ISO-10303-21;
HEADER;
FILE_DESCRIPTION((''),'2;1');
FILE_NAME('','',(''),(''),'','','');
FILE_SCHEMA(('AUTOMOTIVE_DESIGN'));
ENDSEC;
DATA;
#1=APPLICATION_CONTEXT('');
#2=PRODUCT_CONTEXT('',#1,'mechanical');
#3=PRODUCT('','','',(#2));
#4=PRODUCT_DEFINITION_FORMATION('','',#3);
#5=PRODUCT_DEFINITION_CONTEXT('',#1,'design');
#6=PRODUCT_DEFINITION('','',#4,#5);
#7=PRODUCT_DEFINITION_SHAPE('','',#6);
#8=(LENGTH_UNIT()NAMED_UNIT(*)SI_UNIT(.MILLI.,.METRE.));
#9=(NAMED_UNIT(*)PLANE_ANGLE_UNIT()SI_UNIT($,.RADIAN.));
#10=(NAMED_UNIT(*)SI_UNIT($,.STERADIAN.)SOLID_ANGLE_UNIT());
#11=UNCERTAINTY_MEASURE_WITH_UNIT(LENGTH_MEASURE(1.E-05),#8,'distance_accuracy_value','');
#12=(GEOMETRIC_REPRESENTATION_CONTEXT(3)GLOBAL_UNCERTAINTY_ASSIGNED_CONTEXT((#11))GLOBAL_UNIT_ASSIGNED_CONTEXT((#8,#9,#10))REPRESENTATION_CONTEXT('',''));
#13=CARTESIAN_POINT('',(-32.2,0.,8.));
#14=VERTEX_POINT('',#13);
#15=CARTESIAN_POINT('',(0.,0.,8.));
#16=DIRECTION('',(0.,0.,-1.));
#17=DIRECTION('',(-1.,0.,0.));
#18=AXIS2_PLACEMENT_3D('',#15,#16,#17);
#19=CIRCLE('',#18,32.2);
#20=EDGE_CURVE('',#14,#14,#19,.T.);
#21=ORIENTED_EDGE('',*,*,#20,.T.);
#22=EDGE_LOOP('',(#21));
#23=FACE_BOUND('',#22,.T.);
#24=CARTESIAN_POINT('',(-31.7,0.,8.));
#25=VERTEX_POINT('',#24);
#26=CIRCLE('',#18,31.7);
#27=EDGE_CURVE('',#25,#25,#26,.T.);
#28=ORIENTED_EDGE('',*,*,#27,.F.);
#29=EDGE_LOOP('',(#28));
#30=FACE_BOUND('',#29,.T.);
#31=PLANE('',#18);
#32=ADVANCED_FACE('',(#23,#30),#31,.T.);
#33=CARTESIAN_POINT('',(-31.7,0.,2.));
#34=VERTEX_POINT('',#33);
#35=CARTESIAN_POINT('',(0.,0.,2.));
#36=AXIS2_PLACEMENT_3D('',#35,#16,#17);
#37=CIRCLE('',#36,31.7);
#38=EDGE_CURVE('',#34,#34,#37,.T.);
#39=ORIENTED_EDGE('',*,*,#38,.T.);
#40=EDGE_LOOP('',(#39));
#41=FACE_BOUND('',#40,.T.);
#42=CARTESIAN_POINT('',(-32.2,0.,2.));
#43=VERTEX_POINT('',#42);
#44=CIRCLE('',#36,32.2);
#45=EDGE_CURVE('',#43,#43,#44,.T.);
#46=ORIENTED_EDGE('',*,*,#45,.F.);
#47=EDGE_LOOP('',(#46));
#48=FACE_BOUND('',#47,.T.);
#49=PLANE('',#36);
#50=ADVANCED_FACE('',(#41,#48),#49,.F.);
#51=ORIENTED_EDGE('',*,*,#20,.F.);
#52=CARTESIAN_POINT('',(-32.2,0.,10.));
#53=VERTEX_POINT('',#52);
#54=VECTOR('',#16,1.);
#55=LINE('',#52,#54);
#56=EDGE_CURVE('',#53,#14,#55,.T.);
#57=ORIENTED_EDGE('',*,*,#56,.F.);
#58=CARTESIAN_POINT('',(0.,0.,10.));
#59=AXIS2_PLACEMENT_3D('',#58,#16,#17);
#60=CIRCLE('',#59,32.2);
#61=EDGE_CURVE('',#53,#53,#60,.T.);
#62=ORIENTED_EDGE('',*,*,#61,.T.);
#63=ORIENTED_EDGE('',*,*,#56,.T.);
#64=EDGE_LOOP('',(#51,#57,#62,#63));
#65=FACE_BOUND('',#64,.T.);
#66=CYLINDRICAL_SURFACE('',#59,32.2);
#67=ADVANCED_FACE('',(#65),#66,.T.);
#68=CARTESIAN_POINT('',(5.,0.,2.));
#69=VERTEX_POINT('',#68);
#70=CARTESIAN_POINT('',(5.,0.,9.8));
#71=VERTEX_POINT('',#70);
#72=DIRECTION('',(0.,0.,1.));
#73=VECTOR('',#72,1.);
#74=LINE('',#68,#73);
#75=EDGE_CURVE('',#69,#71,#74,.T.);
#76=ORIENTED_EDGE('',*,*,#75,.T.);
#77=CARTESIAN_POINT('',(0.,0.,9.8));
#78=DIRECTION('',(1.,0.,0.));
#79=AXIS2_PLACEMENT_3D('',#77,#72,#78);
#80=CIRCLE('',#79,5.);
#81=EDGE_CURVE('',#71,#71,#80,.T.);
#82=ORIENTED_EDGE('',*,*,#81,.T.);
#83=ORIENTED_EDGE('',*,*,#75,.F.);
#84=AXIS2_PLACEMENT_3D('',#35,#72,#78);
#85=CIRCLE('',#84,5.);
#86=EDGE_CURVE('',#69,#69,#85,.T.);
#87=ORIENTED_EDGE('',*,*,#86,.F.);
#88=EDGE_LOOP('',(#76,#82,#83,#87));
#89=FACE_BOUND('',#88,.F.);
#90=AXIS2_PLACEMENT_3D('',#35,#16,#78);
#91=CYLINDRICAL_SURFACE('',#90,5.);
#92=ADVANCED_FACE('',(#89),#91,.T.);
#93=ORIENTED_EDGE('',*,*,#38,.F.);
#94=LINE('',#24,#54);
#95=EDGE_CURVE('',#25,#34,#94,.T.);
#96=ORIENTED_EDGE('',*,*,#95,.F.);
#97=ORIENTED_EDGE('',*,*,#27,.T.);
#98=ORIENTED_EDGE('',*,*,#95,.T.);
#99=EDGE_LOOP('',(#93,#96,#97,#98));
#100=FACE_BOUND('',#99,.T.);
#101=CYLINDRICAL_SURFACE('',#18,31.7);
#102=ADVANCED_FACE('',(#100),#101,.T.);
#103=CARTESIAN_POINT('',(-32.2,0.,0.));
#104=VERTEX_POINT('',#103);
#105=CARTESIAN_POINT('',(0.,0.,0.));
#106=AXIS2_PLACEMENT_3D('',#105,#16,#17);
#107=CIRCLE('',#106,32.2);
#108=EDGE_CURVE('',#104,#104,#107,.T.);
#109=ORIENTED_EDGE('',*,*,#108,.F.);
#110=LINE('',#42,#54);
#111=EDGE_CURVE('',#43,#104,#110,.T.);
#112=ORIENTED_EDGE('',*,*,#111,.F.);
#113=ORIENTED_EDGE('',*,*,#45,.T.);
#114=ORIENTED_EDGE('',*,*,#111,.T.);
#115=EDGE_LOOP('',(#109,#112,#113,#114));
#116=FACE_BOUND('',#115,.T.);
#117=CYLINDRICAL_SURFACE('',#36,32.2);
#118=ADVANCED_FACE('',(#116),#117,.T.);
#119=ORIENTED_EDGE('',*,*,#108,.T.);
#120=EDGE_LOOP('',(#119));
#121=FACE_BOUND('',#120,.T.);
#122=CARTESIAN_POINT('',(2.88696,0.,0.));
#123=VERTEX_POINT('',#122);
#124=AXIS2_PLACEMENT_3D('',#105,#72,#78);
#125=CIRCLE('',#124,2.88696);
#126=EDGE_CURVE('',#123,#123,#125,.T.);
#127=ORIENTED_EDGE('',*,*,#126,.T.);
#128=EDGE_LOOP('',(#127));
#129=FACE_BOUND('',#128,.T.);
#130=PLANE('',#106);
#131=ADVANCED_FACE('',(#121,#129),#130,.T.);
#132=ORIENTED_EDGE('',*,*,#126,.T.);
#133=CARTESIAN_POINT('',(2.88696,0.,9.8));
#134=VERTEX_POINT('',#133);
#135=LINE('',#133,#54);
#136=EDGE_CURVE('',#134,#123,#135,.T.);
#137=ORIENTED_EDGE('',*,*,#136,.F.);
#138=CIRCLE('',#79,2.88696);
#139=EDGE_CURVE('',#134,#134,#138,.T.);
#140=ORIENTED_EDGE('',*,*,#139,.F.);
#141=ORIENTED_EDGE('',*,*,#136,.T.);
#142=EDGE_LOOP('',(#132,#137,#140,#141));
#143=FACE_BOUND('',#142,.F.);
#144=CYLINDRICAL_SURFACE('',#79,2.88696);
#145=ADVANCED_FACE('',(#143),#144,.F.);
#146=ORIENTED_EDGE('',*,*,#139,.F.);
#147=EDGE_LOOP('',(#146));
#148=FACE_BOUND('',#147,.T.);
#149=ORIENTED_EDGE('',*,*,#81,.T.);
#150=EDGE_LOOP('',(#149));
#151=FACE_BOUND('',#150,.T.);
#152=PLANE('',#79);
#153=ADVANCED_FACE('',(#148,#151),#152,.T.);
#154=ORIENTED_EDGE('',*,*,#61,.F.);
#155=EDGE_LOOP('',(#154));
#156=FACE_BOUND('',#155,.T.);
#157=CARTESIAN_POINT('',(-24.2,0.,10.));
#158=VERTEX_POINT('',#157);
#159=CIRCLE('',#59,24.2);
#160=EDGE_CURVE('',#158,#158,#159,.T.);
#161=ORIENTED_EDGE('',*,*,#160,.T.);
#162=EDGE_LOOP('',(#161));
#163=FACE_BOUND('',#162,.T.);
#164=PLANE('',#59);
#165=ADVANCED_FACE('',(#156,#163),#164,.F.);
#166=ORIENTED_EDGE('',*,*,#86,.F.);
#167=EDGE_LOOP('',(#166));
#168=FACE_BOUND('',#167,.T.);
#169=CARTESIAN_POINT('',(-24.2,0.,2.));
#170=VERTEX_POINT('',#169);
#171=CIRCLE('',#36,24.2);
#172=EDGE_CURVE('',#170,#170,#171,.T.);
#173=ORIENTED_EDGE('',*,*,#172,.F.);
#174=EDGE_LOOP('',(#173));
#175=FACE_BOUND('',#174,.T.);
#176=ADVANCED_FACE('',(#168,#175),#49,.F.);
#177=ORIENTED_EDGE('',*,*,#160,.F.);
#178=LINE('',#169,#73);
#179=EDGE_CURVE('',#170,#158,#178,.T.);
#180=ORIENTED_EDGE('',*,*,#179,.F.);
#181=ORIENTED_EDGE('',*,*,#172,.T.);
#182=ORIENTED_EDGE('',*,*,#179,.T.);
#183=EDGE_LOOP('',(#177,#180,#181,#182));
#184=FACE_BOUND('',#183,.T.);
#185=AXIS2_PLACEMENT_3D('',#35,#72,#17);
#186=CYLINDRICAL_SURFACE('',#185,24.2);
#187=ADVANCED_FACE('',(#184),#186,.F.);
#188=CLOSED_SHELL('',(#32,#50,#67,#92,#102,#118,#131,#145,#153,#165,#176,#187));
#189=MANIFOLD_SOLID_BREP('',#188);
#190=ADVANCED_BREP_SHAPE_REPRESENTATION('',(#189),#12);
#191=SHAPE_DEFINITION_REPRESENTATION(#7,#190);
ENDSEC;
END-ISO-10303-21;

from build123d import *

# Parameters (mm, degrees)
F2_R     = 5
F3_DEPTH = 7.8
F4_R     = 2.88696
F5_DEPTH = 25


with BuildPart() as f1:
    # F0 (on Front) → F1 (revolve)
    with BuildSketch(Plane.XZ):
        Polygon((-32.2, 0), (0, 0), (0, 2), (-24.2, 2), (-24.2, 10), (-32.2, 10), (-32.2, 8), (-31.7, 8), (-31.7, 2), (-32.2, 2), align=None)
    revolve(axis=Axis((0, 0, 1), (0, 0, -1)))

    # F2 (on face) → F3 (join)
    with BuildSketch(Plane.XY.offset(2)):
        Circle(F2_R)
    extrude(amount=F3_DEPTH)

    # F4 (on face) → F5 (cut)
    with BuildSketch(Plane.XY.offset(9.8)):
        Circle(F4_R)
    extrude(amount=-F5_DEPTH, mode=Mode.SUBTRACT)


solid = f1.part
